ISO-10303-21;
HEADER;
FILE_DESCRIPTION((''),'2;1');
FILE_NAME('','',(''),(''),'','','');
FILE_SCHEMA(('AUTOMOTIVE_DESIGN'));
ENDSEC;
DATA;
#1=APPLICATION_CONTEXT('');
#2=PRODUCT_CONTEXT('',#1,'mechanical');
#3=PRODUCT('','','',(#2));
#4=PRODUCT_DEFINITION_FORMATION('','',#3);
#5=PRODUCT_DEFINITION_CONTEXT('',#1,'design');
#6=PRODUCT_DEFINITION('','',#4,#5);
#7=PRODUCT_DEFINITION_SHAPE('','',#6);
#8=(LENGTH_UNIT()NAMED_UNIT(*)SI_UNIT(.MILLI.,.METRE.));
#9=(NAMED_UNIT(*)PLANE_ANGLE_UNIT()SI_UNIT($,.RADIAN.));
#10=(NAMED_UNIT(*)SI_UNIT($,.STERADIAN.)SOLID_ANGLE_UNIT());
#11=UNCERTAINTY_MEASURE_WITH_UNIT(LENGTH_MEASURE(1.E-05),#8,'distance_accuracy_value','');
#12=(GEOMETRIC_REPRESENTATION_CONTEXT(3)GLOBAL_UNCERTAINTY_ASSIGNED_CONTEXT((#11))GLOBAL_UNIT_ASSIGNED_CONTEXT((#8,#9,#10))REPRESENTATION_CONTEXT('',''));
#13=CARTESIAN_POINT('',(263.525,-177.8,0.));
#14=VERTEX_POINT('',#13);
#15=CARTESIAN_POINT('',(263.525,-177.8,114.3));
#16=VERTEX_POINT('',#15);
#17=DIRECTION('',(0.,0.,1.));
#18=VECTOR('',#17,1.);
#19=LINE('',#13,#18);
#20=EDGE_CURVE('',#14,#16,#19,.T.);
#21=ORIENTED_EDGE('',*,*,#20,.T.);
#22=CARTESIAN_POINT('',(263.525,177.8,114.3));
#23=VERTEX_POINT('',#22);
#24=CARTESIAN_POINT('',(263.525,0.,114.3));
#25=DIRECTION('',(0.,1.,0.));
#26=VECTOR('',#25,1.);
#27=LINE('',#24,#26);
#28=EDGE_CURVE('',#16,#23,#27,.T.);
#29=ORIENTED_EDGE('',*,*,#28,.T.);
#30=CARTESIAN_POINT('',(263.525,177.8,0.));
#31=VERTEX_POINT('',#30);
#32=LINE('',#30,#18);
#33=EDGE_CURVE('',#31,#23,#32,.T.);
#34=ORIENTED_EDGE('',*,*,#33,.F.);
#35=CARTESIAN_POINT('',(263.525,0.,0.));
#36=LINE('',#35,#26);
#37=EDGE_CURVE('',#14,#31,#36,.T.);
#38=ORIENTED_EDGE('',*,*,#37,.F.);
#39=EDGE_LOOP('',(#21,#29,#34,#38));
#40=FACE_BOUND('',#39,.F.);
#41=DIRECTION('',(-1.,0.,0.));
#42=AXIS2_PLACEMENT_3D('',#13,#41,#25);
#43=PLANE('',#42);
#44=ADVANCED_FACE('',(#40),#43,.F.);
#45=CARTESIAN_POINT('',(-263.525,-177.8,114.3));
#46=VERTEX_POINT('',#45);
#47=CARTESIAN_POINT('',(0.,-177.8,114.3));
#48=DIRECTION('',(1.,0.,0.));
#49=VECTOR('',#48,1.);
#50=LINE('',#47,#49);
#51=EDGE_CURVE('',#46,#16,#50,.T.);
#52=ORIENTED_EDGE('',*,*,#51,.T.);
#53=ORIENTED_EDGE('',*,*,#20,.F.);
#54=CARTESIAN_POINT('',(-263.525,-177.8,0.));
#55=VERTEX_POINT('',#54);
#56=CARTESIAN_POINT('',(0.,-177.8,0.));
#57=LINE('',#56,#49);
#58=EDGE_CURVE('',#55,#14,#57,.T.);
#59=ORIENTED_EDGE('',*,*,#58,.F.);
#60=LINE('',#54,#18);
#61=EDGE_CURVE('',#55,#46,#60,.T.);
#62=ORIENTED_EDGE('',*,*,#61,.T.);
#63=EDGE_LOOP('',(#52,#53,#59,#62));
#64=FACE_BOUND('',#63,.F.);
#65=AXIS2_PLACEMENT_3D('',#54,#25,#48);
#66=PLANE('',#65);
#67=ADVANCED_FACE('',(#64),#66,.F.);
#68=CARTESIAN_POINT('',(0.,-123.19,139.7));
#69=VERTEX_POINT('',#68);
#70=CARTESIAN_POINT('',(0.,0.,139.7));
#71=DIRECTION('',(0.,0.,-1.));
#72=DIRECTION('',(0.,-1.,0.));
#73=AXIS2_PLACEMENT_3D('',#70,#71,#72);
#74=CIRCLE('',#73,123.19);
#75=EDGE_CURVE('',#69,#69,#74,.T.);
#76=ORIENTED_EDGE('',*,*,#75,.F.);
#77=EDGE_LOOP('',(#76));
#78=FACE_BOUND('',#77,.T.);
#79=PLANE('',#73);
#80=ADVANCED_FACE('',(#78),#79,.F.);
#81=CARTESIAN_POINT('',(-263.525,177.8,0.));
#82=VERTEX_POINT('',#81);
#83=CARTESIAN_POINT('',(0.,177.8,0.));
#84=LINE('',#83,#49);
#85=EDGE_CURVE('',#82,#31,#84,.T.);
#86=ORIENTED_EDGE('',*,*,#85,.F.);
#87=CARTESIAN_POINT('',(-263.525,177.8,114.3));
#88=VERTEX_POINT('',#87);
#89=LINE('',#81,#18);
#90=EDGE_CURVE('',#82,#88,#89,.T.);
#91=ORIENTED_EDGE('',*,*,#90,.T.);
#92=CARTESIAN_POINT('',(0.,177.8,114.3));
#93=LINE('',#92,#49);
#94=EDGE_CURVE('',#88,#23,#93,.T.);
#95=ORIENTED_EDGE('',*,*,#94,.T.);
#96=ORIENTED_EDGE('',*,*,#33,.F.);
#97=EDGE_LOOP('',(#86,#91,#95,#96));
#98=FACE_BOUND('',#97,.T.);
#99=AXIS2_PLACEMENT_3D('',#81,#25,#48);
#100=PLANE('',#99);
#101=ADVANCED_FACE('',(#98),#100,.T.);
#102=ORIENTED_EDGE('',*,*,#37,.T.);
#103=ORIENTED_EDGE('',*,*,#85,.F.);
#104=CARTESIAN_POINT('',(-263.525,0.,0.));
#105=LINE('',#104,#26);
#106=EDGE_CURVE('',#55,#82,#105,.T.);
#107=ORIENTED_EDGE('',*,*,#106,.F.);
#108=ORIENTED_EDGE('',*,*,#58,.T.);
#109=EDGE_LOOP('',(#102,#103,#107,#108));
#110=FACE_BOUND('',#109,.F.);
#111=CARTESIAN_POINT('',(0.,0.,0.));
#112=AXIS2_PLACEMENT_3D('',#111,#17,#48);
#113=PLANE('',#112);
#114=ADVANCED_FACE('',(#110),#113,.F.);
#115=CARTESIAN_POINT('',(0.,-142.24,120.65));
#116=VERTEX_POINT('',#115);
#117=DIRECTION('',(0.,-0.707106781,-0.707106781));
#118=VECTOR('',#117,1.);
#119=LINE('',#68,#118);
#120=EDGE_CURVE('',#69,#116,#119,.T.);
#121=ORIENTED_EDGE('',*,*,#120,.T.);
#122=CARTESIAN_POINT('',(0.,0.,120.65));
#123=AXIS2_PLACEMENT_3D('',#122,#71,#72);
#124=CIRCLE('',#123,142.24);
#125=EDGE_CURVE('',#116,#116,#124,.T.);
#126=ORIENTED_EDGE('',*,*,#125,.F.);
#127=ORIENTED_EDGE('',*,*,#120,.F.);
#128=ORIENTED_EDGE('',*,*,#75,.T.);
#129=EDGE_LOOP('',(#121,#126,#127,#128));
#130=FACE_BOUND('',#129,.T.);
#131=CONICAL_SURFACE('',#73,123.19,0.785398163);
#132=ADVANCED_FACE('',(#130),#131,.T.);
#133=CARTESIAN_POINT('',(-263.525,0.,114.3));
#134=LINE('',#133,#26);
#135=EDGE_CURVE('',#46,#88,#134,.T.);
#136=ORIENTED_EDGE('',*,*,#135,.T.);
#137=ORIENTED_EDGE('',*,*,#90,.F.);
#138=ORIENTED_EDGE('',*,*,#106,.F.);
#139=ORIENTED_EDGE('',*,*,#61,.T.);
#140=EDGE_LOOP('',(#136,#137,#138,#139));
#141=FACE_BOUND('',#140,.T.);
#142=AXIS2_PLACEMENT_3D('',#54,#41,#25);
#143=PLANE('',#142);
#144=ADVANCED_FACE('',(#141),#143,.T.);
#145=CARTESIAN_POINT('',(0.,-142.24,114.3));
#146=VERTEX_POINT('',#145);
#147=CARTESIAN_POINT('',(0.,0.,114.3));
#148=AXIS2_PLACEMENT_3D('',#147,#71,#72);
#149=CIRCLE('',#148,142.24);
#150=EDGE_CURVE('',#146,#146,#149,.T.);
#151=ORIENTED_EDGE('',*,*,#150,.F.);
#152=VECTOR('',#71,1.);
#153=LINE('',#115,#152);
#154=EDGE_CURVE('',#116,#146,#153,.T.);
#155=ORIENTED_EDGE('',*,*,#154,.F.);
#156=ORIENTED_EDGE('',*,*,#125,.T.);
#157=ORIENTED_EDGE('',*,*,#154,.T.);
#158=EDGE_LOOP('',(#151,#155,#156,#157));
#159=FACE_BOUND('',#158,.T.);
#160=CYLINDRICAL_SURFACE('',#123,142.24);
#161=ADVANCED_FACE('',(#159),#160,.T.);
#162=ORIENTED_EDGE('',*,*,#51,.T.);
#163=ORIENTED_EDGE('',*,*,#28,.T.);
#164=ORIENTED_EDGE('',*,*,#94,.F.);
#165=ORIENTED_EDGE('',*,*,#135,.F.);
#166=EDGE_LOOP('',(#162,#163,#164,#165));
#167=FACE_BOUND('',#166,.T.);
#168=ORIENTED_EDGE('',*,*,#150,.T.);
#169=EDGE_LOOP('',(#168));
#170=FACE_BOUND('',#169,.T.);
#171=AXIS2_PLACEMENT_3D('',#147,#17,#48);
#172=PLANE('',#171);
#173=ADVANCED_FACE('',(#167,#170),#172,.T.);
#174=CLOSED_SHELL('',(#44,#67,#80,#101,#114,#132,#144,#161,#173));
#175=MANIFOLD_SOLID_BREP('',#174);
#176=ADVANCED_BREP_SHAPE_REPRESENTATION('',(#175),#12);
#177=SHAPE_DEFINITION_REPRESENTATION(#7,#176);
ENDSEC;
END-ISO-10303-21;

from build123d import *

# Parameters (mm, degrees)
F0_W     = 527.05
F0_H     = 355.6
F1_DEPTH = 114.3


with BuildPart() as f1:
    # F0 (on Top) → F1 (new body)
    with BuildSketch(Plane.XY):
        Rectangle(F0_W, F0_H)
    extrude(amount=F1_DEPTH)

    # F2 (on Right) → F3 (revolve)
    with BuildSketch(Plane.YZ):
        Polygon((-142.24, 120.65), (-142.24, 114.3), (0, 114.3), (0, 139.7), (-123.19, 139.7), align=None)
    revolve(axis=Axis((0, 0, 127), (0, 0, -1)))


solid = f1.part
